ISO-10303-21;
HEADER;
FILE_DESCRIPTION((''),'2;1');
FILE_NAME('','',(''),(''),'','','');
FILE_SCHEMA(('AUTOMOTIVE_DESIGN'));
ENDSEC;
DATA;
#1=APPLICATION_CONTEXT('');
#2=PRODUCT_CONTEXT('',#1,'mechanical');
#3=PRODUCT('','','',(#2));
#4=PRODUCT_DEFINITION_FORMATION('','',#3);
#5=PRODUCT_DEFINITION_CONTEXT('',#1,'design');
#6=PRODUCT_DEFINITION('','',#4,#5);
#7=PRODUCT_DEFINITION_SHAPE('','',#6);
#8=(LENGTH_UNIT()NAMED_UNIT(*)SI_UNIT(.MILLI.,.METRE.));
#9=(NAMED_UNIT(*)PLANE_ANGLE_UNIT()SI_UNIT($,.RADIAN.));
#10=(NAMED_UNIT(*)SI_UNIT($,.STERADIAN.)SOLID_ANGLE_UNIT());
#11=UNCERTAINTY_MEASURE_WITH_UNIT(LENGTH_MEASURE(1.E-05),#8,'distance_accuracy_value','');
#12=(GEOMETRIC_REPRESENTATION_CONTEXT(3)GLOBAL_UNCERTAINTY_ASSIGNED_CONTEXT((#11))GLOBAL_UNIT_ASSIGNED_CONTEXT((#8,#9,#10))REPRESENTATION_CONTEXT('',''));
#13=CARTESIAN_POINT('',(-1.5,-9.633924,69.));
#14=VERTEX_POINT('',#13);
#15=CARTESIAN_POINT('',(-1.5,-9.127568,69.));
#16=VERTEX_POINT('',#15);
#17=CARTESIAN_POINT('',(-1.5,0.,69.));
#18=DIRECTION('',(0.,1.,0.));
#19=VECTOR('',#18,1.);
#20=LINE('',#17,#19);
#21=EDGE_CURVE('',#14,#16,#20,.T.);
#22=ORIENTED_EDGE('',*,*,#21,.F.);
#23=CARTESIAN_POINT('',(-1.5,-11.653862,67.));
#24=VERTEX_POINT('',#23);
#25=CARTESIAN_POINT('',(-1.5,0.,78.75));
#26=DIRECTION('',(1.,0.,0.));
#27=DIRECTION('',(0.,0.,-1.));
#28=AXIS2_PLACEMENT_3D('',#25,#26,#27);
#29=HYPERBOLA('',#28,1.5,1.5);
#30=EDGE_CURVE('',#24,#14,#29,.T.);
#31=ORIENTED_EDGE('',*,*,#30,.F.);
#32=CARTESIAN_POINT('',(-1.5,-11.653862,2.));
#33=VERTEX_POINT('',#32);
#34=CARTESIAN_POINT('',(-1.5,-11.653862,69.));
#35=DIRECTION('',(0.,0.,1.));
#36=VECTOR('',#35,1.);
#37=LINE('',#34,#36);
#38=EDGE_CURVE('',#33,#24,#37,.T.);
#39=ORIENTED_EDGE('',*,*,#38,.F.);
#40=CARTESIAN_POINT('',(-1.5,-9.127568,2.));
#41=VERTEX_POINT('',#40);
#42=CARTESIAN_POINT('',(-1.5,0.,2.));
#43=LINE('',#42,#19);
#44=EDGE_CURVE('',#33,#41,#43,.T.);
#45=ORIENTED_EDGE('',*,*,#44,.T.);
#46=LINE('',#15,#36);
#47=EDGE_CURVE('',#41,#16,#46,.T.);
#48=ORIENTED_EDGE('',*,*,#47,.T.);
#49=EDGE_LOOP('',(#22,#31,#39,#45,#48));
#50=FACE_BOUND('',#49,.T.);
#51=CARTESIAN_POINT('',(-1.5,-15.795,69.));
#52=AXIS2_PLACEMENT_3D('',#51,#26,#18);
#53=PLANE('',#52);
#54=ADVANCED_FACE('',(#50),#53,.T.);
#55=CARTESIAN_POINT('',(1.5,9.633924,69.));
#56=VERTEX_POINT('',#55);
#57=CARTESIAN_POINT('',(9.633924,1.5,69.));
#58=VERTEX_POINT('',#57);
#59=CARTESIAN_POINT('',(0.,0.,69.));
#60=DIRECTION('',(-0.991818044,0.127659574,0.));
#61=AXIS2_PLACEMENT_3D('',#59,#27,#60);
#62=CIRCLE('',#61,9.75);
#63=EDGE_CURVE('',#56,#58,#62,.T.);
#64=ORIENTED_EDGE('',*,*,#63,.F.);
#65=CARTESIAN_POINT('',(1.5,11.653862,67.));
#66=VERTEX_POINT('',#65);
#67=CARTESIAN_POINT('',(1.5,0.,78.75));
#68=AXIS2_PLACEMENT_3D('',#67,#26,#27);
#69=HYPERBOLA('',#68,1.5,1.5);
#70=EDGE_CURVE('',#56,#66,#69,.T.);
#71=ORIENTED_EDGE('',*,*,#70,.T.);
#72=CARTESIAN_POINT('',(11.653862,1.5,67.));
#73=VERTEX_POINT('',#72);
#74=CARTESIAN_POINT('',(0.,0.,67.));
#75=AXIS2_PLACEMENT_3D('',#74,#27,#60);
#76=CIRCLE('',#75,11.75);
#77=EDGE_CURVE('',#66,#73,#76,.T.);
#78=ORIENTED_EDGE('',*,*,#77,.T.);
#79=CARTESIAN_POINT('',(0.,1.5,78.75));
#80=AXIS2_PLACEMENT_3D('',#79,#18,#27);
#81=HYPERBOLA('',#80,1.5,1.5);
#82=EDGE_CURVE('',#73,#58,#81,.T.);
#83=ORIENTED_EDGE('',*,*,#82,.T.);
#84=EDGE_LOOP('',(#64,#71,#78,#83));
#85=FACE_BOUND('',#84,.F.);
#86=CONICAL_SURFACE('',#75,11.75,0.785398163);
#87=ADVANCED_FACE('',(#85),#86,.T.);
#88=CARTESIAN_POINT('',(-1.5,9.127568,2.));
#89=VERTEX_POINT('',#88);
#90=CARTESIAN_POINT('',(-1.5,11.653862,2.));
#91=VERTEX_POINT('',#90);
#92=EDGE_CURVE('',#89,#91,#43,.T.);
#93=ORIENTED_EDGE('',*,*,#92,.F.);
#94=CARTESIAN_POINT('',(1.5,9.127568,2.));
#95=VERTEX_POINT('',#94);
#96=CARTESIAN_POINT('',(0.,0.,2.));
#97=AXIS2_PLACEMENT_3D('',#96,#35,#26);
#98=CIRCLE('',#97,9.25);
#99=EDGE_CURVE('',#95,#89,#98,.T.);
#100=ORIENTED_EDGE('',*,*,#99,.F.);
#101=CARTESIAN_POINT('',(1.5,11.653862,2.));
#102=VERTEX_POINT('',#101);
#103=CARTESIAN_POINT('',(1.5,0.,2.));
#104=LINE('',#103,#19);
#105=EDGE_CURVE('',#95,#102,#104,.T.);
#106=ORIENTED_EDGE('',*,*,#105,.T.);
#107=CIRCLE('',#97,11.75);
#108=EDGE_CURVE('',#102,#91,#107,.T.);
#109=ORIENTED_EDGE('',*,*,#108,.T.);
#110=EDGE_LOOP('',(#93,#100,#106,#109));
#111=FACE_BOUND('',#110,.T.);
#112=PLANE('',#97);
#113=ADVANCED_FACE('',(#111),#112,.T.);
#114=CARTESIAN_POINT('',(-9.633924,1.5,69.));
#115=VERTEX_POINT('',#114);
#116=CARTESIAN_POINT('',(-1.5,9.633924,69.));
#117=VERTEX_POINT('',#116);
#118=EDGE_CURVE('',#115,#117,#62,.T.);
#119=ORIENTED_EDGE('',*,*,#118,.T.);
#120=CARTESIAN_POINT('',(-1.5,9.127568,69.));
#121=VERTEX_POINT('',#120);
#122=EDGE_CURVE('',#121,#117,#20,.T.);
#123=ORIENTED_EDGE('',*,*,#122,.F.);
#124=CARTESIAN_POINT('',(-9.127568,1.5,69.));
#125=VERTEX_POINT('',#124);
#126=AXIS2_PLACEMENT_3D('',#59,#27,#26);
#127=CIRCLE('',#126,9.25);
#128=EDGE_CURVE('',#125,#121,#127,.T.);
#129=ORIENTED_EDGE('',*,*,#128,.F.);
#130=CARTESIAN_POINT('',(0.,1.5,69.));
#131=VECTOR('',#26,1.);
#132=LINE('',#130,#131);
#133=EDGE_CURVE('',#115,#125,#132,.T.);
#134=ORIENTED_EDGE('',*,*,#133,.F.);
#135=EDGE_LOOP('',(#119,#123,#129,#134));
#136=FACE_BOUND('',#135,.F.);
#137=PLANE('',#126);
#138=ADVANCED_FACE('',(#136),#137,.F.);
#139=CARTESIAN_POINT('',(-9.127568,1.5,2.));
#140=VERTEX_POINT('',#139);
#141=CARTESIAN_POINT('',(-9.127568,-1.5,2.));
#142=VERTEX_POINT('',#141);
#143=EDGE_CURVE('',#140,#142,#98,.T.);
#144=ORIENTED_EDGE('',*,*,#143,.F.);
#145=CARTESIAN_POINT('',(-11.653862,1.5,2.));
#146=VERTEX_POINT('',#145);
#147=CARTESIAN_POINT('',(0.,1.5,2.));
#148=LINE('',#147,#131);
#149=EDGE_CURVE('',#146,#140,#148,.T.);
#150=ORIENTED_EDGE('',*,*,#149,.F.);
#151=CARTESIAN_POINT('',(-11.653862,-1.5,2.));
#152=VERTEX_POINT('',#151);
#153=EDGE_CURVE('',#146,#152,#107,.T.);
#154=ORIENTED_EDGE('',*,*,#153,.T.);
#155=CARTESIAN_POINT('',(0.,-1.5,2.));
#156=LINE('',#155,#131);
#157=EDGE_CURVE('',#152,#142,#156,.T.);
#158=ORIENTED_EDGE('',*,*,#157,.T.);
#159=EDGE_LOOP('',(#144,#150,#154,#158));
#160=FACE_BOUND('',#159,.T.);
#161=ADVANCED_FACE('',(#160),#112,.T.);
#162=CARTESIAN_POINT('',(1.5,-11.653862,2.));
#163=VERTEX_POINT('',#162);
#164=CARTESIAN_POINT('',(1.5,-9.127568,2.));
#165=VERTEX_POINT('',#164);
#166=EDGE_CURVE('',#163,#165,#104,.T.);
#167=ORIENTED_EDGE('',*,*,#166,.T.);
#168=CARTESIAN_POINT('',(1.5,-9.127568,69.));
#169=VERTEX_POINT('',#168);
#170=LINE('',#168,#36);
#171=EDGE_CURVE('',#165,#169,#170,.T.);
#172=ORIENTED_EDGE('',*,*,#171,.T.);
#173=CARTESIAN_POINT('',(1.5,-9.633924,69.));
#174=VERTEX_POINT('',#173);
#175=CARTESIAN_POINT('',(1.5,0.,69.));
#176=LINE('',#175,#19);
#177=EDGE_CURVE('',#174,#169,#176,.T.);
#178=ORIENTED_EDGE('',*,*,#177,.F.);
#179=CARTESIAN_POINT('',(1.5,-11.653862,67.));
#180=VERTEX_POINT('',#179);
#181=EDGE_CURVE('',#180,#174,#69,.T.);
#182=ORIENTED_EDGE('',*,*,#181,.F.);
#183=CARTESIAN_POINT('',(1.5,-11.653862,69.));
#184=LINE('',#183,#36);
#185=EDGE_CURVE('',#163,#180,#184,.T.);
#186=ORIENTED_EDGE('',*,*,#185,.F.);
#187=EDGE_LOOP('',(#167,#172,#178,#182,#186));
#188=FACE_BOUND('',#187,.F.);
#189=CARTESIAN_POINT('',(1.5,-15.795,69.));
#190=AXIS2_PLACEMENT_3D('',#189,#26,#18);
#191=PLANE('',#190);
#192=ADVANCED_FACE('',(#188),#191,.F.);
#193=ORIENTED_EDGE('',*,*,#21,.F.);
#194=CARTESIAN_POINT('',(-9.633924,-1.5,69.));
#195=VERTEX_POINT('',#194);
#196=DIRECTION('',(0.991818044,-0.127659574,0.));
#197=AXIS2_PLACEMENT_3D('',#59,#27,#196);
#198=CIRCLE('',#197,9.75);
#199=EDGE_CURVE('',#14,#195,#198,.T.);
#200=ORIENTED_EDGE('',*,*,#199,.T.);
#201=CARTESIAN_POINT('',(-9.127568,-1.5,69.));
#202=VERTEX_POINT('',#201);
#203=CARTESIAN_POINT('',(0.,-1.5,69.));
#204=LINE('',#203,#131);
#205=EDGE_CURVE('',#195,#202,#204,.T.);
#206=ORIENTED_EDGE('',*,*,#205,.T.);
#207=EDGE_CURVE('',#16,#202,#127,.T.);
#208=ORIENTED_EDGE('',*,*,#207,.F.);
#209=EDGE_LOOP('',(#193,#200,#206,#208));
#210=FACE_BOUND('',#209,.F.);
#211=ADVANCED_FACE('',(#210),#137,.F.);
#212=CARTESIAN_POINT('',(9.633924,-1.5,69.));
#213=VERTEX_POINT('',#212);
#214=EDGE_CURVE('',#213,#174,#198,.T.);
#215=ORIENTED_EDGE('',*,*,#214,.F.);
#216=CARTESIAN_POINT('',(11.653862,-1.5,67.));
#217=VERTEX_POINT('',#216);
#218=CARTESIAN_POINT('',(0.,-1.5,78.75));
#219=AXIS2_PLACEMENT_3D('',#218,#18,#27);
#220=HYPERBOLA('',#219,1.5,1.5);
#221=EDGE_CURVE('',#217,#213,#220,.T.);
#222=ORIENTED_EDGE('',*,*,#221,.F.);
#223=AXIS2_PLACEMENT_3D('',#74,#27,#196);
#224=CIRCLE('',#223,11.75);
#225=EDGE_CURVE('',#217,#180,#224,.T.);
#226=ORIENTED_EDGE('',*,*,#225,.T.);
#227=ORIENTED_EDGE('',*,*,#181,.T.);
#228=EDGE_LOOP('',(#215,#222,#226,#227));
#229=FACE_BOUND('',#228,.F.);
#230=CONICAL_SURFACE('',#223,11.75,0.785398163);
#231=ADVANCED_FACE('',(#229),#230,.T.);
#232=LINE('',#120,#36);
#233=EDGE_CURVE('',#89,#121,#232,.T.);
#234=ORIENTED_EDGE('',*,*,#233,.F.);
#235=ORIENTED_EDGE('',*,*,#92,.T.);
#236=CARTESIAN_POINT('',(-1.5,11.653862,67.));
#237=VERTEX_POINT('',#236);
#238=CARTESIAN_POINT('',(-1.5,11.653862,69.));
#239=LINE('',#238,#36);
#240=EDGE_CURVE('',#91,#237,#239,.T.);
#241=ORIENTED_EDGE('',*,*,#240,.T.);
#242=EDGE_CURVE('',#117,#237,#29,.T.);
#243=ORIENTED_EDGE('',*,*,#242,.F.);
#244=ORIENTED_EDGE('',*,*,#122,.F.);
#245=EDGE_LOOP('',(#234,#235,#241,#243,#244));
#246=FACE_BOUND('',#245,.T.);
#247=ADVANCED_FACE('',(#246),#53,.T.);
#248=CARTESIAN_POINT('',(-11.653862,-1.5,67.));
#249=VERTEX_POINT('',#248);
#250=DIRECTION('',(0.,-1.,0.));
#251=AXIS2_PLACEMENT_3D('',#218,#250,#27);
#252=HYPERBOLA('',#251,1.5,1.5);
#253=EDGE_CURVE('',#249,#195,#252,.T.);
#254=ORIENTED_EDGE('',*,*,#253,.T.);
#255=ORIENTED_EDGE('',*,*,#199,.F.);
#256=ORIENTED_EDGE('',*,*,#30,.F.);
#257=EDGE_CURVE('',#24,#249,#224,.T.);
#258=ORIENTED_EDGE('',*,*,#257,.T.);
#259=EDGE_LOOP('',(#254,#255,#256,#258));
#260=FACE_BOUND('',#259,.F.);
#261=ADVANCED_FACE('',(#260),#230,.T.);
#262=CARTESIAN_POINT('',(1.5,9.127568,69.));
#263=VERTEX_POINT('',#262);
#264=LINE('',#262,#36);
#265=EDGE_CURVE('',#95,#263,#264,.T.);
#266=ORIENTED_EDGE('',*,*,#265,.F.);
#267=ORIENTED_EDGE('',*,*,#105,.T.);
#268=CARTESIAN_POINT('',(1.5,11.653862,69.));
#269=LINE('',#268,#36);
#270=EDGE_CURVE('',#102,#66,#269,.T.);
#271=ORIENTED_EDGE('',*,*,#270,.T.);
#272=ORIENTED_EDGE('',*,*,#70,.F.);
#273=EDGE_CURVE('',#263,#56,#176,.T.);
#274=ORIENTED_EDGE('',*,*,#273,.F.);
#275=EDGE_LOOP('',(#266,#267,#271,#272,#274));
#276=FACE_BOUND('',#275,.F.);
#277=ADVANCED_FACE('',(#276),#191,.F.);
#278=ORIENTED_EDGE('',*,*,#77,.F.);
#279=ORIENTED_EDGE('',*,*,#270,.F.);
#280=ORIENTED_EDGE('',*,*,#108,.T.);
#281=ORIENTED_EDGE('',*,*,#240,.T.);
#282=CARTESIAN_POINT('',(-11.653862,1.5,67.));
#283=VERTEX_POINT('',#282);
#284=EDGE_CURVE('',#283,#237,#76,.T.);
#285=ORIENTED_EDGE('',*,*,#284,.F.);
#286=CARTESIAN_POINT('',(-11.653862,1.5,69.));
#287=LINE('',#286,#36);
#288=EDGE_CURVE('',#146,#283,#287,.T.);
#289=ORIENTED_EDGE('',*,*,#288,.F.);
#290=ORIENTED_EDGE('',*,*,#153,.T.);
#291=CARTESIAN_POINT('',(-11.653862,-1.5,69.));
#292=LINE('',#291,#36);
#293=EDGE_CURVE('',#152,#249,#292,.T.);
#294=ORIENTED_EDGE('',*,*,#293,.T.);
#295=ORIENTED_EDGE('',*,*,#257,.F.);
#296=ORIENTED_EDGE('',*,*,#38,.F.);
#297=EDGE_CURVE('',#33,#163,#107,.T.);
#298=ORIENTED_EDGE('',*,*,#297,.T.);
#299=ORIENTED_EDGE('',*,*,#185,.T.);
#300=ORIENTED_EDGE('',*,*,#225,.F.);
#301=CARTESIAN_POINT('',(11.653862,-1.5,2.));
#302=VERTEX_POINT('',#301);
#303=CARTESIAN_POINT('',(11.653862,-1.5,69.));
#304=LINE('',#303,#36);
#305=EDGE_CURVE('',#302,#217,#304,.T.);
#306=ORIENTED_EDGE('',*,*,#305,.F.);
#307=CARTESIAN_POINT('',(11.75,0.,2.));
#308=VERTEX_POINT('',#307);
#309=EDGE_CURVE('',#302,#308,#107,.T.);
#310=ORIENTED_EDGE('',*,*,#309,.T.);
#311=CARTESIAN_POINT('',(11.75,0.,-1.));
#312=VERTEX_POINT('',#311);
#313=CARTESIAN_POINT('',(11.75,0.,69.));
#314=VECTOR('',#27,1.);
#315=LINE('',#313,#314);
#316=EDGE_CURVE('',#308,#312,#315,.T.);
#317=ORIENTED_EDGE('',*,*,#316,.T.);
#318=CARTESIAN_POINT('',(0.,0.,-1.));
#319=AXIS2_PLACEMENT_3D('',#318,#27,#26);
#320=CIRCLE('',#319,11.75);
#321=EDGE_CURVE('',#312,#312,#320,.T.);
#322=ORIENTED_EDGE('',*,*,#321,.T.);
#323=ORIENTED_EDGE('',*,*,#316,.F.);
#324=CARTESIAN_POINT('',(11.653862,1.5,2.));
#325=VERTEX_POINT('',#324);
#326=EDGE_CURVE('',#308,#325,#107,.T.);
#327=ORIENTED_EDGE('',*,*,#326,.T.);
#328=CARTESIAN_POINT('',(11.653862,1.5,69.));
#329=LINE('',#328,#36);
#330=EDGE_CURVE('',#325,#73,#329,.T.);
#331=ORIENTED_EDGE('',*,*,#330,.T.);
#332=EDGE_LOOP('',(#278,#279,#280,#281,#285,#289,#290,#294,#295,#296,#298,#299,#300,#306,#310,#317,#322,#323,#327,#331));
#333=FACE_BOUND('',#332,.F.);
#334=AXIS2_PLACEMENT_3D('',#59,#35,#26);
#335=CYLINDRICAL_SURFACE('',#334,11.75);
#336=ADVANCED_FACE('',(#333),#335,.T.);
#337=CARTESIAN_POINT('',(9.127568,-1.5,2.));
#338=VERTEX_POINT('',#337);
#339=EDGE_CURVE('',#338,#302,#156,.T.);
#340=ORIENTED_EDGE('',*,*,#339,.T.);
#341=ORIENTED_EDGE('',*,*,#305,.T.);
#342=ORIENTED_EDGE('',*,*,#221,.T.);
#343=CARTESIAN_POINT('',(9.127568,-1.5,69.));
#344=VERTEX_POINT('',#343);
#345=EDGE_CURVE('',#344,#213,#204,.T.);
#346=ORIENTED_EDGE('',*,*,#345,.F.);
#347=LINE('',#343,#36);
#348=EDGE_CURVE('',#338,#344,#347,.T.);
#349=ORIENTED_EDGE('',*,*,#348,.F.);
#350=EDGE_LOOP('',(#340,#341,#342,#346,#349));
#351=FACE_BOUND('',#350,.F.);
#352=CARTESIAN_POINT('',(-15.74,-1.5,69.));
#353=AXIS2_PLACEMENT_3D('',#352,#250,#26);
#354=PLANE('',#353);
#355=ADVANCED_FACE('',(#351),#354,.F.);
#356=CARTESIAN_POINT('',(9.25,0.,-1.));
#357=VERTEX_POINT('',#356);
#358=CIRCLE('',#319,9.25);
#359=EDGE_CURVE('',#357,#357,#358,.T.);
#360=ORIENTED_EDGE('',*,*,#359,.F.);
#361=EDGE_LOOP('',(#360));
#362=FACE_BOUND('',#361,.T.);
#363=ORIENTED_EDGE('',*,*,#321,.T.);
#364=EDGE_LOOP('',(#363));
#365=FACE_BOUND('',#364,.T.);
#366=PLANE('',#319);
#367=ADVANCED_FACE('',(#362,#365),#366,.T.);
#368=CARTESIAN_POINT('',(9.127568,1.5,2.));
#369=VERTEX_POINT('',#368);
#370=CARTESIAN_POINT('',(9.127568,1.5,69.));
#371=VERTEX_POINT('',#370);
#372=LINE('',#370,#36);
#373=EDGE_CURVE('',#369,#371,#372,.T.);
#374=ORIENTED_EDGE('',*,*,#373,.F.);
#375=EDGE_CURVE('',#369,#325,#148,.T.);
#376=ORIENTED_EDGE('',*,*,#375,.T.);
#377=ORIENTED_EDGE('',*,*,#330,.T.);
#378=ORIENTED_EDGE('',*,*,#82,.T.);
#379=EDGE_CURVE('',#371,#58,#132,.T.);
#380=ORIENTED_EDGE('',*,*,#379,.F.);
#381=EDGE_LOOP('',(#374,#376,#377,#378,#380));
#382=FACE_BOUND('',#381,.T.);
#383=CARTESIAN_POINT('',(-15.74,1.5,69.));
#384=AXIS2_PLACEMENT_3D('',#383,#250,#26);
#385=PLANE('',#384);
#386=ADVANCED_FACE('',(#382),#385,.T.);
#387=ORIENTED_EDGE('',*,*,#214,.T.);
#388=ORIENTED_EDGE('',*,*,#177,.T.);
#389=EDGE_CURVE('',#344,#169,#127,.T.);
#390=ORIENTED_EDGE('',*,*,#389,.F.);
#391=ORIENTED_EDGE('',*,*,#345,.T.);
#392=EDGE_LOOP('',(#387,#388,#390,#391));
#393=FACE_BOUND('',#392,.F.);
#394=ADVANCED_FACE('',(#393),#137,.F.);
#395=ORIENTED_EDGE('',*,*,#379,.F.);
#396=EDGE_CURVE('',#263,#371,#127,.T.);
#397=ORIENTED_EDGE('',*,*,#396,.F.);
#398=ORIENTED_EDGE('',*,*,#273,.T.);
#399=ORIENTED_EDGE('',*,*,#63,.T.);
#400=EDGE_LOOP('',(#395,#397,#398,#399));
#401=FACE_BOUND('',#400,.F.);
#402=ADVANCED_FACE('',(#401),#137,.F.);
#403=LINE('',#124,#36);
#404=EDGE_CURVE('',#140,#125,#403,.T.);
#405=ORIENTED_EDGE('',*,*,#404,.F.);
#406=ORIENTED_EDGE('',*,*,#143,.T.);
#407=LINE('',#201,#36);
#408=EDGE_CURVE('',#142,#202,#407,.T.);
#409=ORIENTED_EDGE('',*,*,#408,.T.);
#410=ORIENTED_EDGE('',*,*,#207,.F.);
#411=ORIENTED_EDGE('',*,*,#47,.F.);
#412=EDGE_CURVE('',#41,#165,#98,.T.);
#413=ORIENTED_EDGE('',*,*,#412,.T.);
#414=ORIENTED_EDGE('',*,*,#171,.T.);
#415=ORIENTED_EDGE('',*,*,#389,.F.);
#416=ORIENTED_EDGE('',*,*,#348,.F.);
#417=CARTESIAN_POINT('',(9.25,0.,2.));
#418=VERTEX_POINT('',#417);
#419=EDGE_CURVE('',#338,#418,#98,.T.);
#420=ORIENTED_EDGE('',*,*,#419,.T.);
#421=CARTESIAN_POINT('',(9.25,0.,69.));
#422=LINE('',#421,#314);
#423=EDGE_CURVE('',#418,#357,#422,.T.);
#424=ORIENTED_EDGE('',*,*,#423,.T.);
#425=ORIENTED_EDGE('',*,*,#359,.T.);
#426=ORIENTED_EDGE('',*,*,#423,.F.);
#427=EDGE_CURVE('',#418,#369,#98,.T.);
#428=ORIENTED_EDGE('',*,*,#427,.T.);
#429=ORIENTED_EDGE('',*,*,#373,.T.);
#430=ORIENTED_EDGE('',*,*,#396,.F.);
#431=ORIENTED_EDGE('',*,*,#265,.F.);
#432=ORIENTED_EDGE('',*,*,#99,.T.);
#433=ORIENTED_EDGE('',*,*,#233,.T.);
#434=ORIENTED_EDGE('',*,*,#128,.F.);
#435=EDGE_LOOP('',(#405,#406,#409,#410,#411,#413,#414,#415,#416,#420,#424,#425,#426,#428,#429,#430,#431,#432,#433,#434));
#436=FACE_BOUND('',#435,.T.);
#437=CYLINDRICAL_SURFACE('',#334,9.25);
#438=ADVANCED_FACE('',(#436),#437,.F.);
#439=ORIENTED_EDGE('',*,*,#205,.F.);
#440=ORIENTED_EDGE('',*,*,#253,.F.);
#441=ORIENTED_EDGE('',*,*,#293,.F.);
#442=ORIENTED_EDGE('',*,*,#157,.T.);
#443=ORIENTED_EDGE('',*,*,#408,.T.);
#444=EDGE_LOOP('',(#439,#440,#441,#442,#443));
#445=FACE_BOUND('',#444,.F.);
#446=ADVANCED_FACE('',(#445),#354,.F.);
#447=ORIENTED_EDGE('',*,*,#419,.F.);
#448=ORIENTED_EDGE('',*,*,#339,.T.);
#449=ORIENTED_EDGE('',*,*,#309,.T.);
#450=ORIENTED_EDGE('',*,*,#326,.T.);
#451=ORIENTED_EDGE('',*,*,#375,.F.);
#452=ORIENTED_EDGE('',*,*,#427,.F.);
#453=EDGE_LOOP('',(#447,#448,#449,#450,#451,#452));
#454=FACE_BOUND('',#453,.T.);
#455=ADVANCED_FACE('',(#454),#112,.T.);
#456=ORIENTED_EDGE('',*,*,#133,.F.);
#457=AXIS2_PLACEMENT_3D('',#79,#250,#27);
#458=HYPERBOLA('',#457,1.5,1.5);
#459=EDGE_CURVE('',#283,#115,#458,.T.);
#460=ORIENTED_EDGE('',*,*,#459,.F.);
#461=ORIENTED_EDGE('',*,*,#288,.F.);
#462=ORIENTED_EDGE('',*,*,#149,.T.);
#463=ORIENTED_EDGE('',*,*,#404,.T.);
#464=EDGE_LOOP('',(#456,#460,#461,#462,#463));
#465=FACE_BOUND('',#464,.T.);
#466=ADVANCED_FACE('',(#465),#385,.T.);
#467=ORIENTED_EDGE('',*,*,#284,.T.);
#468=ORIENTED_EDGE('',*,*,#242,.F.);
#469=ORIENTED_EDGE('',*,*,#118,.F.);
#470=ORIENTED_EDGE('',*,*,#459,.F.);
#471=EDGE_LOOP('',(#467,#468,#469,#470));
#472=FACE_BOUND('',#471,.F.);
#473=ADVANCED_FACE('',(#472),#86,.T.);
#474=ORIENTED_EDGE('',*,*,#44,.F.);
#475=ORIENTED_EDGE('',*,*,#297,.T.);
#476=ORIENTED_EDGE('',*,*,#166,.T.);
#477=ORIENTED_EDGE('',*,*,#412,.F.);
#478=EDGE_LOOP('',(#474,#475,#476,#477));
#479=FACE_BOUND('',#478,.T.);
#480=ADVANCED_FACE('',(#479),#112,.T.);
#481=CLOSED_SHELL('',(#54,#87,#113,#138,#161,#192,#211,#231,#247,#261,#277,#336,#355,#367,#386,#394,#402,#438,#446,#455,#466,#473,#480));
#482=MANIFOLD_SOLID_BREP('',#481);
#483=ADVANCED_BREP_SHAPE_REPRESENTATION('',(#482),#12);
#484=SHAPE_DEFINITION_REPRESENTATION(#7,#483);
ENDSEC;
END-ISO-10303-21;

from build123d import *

# Parameters (mm, degrees)
SKETCH020_R             = 11.75
SKETCH020_R_2           = 9.25
PAD014_DEPTH            = 70
SKETCH021_W             = 31.48
SKETCH021_H             = 3
POCKET004_DEPTH         = 67
CHAMFER005_SIZE         = 2
SKETCH022_W             = 3
SKETCH022_H             = 31.59
POCKET005_DEPTH         = 67
BODY012_PLACEMENT_ANGLE = 180


with BuildPart() as part:
    # Sketch020 → Pad014 (new body)
    with BuildSketch(Plane.XY):
        Circle(SKETCH020_R)
        Circle(SKETCH020_R_2, mode=Mode.SUBTRACT)
    extrude(amount=PAD014_DEPTH)

    # Sketch021 (on Face3 of Pad014) → Pocket004 (cut)
    with BuildSketch(Plane(origin=(0, 0, 0), x_dir=(1, 0, 0), z_dir=(0, 0, -1))):
        Rectangle(SKETCH021_W, SKETCH021_H)
    extrude(amount=-POCKET004_DEPTH, mode=Mode.SUBTRACT)

    # Chamfer005
    chamfer005_edges = [part.edges().sort_by_distance(p)[0] for p in [
        (0, 11.75, 0),
        (0, -11.75, 0),
    ]]
    chamfer(chamfer005_edges, length=CHAMFER005_SIZE)

    # Sketch022 (on Face11 of Chamfer005) → Pocket005 (cut)
    with BuildSketch(Plane(origin=(0, 0, 0), x_dir=(1, 0, 0), z_dir=(0, 0, -1))):
        Rectangle(SKETCH022_W, SKETCH022_H)
    extrude(amount=-POCKET005_DEPTH, mode=Mode.SUBTRACT)


with BuildPart() as part_1:
    # Body012 placement: moved
    add(part.part.moved(Location((0, 0, 69))).rotate(Axis((0, 0, 69), (1, 0, 0)), BODY012_PLACEMENT_ANGLE))


solid = part_1.part
